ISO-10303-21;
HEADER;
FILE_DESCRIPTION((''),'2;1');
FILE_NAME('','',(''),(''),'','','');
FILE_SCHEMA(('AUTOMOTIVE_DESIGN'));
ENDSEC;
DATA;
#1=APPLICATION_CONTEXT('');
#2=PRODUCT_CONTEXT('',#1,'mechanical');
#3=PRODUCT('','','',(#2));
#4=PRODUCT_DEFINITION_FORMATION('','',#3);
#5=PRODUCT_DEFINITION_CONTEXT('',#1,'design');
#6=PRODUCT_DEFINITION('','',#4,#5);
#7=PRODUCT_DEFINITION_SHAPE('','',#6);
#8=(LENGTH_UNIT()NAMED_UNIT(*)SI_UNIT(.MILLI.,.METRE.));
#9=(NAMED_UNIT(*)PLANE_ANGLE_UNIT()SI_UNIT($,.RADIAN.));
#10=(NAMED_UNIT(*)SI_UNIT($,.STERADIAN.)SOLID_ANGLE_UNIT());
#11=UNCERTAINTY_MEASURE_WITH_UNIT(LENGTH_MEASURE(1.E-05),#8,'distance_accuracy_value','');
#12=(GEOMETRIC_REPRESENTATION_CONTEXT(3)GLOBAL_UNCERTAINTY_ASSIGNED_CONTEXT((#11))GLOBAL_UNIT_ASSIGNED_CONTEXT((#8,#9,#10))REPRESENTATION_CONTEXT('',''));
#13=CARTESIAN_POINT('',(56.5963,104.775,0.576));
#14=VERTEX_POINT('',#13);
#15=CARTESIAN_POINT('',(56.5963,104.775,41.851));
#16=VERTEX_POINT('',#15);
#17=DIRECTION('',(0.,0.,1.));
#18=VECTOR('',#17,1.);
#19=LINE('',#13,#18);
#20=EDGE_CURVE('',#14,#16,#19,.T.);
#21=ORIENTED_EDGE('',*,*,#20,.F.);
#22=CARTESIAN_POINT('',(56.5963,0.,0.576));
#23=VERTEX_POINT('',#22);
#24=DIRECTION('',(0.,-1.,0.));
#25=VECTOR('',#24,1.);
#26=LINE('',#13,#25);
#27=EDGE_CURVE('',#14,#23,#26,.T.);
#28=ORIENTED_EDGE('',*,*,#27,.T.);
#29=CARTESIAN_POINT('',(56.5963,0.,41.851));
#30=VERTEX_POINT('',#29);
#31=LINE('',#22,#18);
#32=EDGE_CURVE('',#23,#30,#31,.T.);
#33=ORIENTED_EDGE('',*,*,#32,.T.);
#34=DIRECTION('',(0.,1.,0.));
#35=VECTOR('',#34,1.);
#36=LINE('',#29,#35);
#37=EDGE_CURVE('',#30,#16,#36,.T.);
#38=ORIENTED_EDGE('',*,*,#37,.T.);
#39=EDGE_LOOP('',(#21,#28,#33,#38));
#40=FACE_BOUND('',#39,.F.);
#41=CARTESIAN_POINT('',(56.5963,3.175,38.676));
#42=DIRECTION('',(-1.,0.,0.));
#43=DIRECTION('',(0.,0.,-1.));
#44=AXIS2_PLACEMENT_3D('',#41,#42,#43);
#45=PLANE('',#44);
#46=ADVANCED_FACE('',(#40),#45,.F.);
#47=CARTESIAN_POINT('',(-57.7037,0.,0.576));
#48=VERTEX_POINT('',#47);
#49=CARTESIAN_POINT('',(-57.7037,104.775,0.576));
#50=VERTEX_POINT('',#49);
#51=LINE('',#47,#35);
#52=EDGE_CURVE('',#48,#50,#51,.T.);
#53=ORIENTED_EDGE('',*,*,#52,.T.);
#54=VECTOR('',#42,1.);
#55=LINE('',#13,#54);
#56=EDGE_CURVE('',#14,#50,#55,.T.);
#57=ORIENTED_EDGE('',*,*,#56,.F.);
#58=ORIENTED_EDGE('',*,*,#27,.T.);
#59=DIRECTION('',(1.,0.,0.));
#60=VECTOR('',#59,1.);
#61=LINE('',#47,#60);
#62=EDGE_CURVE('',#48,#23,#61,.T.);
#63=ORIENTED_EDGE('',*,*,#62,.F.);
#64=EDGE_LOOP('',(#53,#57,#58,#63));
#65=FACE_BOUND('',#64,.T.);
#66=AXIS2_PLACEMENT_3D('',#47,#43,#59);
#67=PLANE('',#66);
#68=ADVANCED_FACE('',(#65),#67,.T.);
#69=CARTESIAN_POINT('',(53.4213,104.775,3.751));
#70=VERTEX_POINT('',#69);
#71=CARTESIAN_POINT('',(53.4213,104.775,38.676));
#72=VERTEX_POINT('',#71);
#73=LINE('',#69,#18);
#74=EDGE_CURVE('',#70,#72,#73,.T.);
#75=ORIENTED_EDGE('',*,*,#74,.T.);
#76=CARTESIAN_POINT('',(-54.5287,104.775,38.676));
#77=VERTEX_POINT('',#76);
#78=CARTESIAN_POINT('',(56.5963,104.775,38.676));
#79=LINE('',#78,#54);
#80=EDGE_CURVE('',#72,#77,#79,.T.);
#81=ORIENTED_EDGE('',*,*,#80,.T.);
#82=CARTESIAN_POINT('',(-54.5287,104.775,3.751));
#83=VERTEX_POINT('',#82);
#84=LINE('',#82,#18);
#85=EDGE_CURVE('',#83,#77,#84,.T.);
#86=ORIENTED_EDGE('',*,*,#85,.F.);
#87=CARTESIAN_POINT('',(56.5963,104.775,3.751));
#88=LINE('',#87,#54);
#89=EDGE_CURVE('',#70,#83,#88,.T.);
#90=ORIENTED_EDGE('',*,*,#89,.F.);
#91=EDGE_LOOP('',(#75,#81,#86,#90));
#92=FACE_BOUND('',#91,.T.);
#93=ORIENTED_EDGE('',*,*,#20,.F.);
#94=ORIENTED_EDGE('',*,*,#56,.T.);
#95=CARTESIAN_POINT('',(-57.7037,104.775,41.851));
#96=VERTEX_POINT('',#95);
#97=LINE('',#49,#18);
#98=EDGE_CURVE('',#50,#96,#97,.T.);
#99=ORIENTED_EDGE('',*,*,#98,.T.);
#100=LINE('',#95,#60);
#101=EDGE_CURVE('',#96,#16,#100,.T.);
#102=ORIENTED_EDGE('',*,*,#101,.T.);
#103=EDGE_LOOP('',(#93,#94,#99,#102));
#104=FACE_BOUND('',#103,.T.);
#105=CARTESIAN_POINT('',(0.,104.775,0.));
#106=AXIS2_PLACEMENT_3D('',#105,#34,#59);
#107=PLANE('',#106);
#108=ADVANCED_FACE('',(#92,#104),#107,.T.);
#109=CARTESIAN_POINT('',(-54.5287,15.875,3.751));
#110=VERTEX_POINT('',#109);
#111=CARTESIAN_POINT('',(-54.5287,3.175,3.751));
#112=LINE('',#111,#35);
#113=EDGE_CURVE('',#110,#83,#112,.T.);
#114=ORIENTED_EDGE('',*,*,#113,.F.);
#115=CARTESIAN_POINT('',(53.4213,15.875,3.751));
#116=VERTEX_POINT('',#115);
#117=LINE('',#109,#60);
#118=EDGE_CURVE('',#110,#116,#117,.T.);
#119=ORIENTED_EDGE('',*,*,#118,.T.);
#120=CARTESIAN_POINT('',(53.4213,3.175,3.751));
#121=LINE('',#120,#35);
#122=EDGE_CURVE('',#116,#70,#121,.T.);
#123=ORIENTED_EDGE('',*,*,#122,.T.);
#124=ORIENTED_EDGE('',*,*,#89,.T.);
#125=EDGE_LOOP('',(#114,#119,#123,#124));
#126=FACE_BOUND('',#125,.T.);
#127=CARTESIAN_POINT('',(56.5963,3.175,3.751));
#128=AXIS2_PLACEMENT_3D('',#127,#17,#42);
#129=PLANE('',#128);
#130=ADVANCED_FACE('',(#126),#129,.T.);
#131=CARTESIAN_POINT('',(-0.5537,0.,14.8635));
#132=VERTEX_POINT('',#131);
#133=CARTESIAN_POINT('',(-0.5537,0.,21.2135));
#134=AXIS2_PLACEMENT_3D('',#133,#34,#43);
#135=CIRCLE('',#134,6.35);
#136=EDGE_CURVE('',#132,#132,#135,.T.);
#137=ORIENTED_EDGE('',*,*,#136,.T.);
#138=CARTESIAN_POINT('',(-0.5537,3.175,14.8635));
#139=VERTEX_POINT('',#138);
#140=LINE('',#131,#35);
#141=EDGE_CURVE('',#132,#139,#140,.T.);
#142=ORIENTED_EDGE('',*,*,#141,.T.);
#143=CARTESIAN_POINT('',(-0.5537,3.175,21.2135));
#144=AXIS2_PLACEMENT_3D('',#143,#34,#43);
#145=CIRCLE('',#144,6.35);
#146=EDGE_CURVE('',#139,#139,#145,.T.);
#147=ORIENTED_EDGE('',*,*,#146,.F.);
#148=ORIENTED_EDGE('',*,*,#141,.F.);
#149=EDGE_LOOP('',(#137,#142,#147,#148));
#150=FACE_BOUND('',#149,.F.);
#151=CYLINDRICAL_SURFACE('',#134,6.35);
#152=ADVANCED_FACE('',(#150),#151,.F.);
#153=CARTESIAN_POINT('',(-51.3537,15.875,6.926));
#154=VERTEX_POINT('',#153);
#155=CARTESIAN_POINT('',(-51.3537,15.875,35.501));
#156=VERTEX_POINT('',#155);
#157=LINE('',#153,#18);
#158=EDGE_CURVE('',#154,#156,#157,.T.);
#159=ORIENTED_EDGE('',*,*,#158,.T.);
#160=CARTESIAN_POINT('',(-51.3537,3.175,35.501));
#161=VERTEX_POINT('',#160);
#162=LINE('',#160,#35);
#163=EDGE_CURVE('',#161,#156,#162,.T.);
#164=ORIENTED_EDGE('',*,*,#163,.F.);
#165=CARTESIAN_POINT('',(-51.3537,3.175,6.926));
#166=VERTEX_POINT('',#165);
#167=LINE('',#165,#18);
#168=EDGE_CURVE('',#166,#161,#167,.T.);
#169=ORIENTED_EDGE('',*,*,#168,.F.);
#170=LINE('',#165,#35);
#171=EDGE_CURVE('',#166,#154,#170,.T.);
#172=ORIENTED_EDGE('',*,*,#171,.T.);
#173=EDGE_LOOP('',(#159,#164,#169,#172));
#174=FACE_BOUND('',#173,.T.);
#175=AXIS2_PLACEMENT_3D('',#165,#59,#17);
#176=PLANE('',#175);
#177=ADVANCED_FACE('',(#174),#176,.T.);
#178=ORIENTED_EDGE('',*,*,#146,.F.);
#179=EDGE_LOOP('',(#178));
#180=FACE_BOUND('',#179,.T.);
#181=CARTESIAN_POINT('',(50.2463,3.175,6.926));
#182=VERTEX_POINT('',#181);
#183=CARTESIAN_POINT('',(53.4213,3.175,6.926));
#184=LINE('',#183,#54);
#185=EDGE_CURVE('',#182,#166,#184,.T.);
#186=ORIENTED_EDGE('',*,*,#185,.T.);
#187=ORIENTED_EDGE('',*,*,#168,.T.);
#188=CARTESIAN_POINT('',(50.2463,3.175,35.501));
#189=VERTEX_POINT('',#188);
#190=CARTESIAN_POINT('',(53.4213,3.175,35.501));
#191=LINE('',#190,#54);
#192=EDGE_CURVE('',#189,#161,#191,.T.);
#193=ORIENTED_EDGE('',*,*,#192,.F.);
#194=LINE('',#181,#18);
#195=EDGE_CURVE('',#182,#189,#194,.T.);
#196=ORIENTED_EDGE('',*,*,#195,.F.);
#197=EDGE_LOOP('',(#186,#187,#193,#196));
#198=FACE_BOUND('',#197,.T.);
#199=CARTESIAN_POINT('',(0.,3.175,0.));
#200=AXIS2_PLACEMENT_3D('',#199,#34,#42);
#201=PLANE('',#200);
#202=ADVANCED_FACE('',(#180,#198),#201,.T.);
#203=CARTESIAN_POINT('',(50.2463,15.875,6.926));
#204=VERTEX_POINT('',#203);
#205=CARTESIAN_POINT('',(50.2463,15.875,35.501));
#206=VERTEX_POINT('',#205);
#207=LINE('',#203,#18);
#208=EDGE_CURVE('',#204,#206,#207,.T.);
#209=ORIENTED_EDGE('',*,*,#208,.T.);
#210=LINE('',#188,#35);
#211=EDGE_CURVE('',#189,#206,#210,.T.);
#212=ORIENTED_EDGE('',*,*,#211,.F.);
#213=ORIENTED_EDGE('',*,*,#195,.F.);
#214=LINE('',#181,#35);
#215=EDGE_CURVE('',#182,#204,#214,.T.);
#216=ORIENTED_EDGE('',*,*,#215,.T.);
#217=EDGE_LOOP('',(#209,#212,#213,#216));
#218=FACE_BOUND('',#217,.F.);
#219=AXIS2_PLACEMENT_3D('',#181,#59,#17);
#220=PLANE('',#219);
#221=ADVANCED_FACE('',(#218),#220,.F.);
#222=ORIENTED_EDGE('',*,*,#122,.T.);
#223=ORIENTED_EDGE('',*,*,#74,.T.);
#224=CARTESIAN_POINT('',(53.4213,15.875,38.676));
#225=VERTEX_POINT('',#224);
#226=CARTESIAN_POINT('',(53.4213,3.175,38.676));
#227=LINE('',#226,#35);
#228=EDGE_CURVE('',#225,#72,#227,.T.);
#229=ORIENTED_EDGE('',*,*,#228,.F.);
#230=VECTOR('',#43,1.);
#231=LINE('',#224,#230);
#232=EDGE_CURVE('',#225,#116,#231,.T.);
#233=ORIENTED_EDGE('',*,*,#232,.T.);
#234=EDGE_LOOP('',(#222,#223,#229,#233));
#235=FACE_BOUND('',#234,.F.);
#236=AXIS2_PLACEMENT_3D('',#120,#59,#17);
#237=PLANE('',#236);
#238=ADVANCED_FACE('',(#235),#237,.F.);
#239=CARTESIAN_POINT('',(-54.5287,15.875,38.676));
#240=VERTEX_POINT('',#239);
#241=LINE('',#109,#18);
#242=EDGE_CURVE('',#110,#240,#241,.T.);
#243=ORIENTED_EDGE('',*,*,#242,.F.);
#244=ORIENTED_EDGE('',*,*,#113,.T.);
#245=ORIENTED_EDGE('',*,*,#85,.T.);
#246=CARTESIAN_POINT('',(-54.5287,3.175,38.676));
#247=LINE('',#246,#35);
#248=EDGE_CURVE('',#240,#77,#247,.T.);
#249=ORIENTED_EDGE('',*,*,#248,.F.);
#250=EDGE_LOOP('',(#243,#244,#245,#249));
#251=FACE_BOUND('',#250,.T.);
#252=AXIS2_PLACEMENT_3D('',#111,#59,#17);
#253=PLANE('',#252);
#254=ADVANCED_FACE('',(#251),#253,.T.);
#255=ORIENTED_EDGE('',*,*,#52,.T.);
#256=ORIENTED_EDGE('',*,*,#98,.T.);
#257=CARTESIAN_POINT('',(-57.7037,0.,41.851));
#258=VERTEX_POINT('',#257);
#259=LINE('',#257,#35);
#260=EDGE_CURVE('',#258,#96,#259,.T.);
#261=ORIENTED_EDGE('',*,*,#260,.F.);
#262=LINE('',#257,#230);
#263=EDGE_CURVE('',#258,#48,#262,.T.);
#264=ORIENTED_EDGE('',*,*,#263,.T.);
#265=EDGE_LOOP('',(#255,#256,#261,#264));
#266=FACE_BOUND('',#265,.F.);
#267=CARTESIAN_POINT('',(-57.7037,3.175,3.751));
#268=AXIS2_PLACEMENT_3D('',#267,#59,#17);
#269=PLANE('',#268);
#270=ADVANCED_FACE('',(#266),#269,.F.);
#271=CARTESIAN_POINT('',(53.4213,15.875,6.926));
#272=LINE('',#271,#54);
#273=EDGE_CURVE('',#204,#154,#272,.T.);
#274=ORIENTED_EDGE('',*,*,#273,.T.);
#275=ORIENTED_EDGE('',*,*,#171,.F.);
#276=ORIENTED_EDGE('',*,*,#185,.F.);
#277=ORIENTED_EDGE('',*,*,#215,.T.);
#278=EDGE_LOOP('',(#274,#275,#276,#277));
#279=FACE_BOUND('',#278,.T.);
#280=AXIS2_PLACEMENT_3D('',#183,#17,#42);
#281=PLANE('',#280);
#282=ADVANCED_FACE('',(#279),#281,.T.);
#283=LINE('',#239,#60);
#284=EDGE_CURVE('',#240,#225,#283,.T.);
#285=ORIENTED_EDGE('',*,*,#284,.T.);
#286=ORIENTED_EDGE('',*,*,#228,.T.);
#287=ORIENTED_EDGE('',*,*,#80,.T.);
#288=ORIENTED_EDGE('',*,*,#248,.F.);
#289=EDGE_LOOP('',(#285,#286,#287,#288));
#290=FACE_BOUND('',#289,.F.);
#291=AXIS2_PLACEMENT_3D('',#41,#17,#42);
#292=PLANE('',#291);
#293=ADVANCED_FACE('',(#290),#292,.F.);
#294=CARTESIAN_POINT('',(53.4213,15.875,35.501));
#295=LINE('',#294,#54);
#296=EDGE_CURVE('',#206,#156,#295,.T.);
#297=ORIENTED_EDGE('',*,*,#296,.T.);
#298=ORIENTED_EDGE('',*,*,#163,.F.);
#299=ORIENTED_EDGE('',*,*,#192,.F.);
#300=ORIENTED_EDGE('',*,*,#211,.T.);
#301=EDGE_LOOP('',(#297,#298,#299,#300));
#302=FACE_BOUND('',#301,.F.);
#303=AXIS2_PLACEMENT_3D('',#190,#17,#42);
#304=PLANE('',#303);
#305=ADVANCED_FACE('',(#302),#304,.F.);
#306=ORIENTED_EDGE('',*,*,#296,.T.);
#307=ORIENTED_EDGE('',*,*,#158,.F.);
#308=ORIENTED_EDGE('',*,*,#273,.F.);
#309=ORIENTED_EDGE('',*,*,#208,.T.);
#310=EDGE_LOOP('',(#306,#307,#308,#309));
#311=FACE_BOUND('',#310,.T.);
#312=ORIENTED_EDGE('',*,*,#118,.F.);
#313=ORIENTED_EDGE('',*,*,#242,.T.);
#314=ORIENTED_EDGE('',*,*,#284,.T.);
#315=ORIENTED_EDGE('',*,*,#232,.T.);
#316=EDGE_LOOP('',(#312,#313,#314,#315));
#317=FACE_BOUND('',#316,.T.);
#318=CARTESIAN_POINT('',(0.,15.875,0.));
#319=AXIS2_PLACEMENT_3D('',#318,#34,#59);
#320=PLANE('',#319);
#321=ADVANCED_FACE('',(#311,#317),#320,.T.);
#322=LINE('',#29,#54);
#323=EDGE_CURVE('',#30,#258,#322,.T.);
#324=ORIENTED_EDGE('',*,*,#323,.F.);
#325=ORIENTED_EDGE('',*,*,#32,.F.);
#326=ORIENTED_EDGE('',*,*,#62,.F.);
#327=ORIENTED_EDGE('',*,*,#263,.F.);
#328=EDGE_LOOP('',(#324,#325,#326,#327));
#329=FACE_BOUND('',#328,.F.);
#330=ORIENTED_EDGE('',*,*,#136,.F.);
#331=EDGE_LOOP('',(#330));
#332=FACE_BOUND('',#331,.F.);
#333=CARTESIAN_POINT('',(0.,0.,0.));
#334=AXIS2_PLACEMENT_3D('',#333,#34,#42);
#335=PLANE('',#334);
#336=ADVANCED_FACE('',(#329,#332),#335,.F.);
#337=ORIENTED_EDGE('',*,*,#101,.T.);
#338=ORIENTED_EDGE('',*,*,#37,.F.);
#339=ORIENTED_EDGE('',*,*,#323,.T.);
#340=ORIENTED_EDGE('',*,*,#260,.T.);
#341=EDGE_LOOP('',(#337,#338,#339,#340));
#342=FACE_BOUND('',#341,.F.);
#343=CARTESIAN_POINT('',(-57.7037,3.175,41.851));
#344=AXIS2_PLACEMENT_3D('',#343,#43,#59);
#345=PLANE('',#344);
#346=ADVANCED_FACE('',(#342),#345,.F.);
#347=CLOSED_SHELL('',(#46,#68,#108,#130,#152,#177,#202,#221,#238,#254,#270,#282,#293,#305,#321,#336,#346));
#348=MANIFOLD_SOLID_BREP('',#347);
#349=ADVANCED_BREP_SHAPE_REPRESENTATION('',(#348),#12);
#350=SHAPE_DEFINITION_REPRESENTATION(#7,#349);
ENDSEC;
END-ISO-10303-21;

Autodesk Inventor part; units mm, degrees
ref_plane "YZ Plane" through (0, 0, 0) normal (1, 0, 0) x (0, 1, 0)
ref_plane "XZ Plane" through (0, 0, 0) normal (0, 1, 0) x (-1, 0, 0)
ref_plane "XY Plane" through (0, 0, 0) normal (0, 0, 1) x (1, 0, 0)
sketch "Sketch1" plane through (0, 0, 0) normal (0, 1, 0) x (-1, 0, 0)
  line L0 (57.7037, 0.576) -> (-56.5963, 0.576)
  line L1 (-56.5963, 0.576) -> (-56.5963, 41.851)
  line L2 (-56.5963, 41.851) -> (57.7037, 41.851)
  line L3 (57.7037, 41.851) -> (57.7037, 0.576)
  point P0 (0, 0)
  dimension "d0" = 114.3
  dimension "d1" = 41.275
extrude "Extrusion1" add sketch "Sketch1" along normal blind 3.175
sketch "Sketch2" plane through (0, 3.175, 0) normal (0, 1, 0) x (1, 0, 0)
  line L0 (56.5963, -0.576) -> (-57.7037, -0.576) projected
  line L1 (-57.7037, -0.576) -> (56.5963, -0.576)
  line L2 (56.5963, -0.576) -> (56.5963, -3.751)
  line L3 (56.5963, -3.751) -> (-57.7037, -3.751)
  line L4 (-57.7037, -3.751) -> (-57.7037, -0.576)
  point P0 (0, 0)
  dimension "d4" = 3.175
  dimension "d5" = 114.3
extrude "Extrusion2" add sketch "Sketch2" along normal blind 101.6
sketch "Sketch3" plane through (0, 3.175, 0) normal (0, 1, 0) x (1, 0, 0)
  line L0 (-57.7037, -41.851) -> (56.5963, -41.851) projected
  line L1 (-57.7037, -41.851) -> (56.5963, -41.851)
  line L2 (56.5963, -41.851) -> (56.5963, -38.676)
  line L3 (56.5963, -38.676) -> (-57.7037, -38.676)
  line L4 (-57.7037, -38.676) -> (-57.7037, -41.851)
  point P0 (0, 0)
  dimension "d8" = 3.175
  dimension "d9" = 114.3
extrude "Extrusion3" add sketch "Sketch3" along normal blind 101.6
sketch "Sketch4" plane through (0, 3.175, 0) normal (0, 1, 0) x (1, 0, 0)
  line L0 (-57.7037, -3.751) -> (-57.7037, -38.676) projected
  line L1 (-57.7037, -3.751) -> (-54.5287, -3.751)
  line L2 (-54.5287, -3.751) -> (-54.5287, -38.676)
  line L3 (-54.5287, -38.676) -> (-57.7037, -38.676)
  line L4 (-57.7037, -38.676) -> (-57.7037, -3.751)
  point P0 (0, 0)
  dimension "d12" = 3.175
  dimension "d13" = 34.925
extrude "Extrusion4" add sketch "Sketch4" along normal blind 101.6
sketch "Sketch5" plane through (0, 3.175, 0) normal (0, 1, 0) x (1, 0, 0)
  line L0 (-54.5287, -3.751) -> (56.5963, -3.751) projected
  line L1 (56.5963, -3.751) -> (53.4213, -3.751)
  line L2 (53.4213, -3.751) -> (53.4213, -38.676)
  line L3 (53.4213, -38.676) -> (56.5963, -38.676)
  line L4 (56.5963, -38.676) -> (56.5963, -3.751)
  point P0 (0, 0)
  dimension "d16" = 3.175
  dimension "d17" = 34.925
extrude "Extrusion5" add sketch "Sketch5" along normal blind 101.6
sketch "Sketch6" plane through (0, 3.175, 0) normal (0, 1, 0) x (1, 0, 0)
  line L0 (-54.5287, -38.676) -> (-54.5287, -3.751) projected
  line L1 (-54.5287, -3.751) -> (53.4213, -3.751) projected
  line L2 (-54.5287, -3.751) -> (53.4213, -3.751)
  line L3 (53.4213, -3.751) -> (53.4213, -6.926)
  line L4 (53.4213, -6.926) -> (-54.5287, -6.926)
  line L5 (-54.5287, -6.926) -> (-54.5287, -3.751)
  point P0 (0, 0)
  point P1 (-54.5287, -6.926)
  dimension "d20" = 107.95
  dimension "d21" = 3.175
extrude "Extrusion6" add sketch "Sketch6" along normal blind 12.7
sketch "Sketch7" plane through (0, 3.175, 0) normal (0, 1, 0) x (1, 0, 0)
  line L0 (-54.5287, -38.676) -> (53.4213, -38.676) projected
  line L1 (-54.5287, -38.676) -> (53.4213, -38.676)
  line L2 (53.4213, -38.676) -> (53.4213, -35.501)
  line L3 (53.4213, -35.501) -> (-54.5287, -35.501)
  line L4 (-54.5287, -35.501) -> (-54.5287, -38.676)
  point P0 (0, 0)
  dimension "d24" = 3.175
  dimension "d25" = 107.95
extrude "Extrusion7" add sketch "Sketch7" along normal blind 12.7
sketch "Sketch9" plane through (0, 3.175, 0) normal (0, 1, 0) x (1, 0, 0)
  line L0 (-54.5287, -6.926) -> (53.4213, -6.926) projected
  line L1 (-54.5287, -6.926) -> (-51.3537, -6.926)
  line L2 (-51.3537, -6.926) -> (-51.3537, -35.501)
  line L3 (-51.3537, -35.501) -> (-54.5287, -35.501)
  line L4 (-54.5287, -35.501) -> (-54.5287, -6.926)
  point P0 (0, 0)
  dimension "d30" = 3.175
  dimension "d31" = 28.575
extrude "Extrusion8" add sketch "Sketch9" along normal blind 12.7
sketch "Sketch10" plane through (0, 3.175, 0) normal (0, 1, 0) x (1, 0, 0)
  line L0 (53.4213, -3.751) -> (53.4213, -6.926) projected
  line L1 (-54.5287, -6.926) -> (53.4213, -6.926) projected
  line L2 (53.4213, -6.926) -> (50.2463, -6.926)
  line L3 (50.2463, -6.926) -> (50.2463, -35.501)
  line L4 (50.2463, -35.501) -> (53.4213, -35.501)
  line L5 (53.4213, -35.501) -> (53.4213, -6.926)
  point P0 (0, 0)
  point P1 (-51.3537, -6.926)
  dimension "d34" = 3.175
  dimension "d35" = 28.575
extrude "Extrusion9" add sketch "Sketch10" along normal blind 12.7
sketch "Sketch11" plane through (0, 0, 0) normal (0, -1, 0) x (1, 0, 0)
  line L0 (56.5963, 41.851) -> (56.5963, 0.576) projected
  line L1 (56.5963, 41.851) -> (56.5963, 21.2135)
  line L2 (56.5963, 21.2135) -> (-0.5537, 21.2135)
  point P0 (0, 0)
  dimension "d38" = 20.6375
  dimension "d39" = 57.15
hole "Hole1" at (-0.5537, 0, 21.2135) direction (0, 1, 0) diameter 12.7 end through all
properties part number "five_cell_bottom_case"
